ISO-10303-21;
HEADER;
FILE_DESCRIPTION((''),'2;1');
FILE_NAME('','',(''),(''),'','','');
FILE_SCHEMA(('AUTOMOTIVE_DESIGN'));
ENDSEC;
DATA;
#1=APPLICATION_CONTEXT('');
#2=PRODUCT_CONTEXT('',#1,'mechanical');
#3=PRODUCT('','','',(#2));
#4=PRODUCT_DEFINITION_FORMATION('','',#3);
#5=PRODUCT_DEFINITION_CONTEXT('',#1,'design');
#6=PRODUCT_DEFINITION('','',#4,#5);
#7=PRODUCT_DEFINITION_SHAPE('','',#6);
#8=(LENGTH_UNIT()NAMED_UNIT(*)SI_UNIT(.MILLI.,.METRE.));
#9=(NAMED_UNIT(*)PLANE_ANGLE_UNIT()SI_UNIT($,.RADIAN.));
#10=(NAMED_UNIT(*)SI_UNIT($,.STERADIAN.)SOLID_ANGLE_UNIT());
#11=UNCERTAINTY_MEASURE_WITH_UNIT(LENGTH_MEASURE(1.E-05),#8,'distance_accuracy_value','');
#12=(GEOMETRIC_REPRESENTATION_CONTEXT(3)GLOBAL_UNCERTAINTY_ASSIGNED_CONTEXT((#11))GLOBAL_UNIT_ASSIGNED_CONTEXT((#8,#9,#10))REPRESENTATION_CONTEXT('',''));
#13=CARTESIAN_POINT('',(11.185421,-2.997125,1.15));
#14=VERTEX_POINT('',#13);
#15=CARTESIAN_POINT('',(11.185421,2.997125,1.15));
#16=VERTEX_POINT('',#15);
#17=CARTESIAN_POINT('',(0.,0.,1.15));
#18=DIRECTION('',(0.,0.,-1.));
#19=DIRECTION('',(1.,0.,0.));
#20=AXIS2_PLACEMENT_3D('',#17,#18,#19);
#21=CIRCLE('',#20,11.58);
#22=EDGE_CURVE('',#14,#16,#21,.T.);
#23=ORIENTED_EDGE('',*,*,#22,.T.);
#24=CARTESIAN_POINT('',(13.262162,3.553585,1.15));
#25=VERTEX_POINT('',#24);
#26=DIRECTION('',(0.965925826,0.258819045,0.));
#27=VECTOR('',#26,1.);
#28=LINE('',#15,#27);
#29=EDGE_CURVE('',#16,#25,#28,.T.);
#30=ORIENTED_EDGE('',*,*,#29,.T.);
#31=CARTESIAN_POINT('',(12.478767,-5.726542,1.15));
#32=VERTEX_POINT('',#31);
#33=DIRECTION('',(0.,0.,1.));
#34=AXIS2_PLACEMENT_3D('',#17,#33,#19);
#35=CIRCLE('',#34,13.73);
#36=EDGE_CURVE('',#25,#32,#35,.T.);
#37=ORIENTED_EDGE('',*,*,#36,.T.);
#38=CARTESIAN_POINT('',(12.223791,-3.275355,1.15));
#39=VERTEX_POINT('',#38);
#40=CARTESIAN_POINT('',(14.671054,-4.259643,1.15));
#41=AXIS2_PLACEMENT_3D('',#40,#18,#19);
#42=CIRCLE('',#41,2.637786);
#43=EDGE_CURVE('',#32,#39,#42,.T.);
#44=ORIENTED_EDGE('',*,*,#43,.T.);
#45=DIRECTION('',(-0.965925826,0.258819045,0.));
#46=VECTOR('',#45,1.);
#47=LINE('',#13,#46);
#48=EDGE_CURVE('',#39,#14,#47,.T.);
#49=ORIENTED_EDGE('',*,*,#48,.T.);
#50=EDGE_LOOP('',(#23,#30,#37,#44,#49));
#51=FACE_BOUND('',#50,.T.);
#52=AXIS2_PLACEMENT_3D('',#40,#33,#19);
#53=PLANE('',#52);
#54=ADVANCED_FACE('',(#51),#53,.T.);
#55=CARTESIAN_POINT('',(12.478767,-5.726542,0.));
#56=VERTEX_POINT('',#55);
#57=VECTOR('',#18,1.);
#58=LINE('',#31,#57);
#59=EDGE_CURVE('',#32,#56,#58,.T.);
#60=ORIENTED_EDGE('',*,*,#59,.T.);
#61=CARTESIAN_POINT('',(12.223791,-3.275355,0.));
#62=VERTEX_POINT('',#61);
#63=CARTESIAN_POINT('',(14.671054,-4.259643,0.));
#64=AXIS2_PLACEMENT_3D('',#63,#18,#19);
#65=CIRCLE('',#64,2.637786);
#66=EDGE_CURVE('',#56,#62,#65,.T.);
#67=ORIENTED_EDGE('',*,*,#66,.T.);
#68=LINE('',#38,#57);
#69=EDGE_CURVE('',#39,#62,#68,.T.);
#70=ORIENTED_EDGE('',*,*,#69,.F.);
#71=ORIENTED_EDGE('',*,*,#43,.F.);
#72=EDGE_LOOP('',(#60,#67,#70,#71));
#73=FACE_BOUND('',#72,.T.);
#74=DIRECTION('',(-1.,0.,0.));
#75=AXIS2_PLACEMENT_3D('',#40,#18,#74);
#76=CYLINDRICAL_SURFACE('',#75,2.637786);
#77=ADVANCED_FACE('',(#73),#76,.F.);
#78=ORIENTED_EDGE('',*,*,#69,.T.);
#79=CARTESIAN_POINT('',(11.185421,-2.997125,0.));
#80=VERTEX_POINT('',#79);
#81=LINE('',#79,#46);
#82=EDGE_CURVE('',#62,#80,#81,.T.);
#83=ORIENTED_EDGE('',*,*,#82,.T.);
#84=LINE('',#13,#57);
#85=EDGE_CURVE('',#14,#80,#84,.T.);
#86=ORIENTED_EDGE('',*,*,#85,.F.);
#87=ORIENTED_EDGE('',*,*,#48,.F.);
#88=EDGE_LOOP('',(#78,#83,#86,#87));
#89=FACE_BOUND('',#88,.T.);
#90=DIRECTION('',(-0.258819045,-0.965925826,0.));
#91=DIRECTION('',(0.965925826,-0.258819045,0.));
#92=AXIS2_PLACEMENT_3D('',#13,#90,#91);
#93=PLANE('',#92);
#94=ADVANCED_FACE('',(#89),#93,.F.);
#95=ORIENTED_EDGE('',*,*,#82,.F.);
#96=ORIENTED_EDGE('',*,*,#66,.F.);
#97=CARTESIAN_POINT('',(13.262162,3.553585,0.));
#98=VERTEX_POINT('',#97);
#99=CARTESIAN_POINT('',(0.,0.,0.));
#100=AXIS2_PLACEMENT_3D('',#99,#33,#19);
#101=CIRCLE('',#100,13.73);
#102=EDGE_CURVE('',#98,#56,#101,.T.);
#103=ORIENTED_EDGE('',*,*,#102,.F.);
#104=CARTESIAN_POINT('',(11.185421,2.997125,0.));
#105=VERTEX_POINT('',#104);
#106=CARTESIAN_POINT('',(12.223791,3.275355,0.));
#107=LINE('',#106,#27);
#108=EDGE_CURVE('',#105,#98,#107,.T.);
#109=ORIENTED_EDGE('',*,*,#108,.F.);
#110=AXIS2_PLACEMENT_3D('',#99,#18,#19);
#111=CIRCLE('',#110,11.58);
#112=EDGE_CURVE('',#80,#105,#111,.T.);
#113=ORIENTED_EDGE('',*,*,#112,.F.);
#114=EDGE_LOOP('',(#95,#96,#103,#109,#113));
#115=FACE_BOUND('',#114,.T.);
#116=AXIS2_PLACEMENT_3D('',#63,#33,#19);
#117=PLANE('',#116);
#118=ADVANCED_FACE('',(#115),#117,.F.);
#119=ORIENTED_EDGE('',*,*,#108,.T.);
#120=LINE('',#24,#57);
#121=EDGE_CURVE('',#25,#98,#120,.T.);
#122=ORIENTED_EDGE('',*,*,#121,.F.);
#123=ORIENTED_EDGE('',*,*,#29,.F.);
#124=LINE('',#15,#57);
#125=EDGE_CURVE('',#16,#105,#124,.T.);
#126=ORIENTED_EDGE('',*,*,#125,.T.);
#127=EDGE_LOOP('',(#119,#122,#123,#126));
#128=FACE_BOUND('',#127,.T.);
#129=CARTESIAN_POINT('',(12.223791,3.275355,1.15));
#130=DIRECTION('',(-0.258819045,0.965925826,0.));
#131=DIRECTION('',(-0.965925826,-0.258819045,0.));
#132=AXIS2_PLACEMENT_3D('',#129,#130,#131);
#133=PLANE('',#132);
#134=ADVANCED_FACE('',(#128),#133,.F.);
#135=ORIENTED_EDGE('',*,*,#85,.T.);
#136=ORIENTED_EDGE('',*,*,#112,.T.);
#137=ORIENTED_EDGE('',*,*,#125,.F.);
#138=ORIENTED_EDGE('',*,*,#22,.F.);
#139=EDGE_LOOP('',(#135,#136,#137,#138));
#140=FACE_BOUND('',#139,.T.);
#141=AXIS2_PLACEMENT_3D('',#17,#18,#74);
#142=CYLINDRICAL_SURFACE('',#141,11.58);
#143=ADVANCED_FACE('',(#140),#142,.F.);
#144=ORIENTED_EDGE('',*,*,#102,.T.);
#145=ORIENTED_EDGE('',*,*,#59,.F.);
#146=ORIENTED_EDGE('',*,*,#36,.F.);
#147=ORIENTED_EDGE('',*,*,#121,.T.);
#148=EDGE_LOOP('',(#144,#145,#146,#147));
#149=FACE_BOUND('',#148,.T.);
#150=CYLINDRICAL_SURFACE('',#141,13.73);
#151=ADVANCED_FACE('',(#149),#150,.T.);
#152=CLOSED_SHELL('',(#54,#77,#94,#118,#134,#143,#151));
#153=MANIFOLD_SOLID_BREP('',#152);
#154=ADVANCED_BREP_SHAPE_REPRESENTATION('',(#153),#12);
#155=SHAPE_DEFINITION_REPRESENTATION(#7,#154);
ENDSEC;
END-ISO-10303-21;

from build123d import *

# Parameters (mm, degrees)
BOSS_EXTRUDE1_DEPTH = 1.15


with BuildPart() as part:
    # Sketch2 → Boss-Extrude1 (new body)
    with BuildSketch(Plane.XY):
        with BuildLine():
            Line((11.185421068, 2.997124542), (12.223791332, 3.275355016))
            Line((12.223791332, 3.275355016), (13.262161595, 3.553585489))
            ThreePointArc((13.262161595, 3.553585489), (-13.681339039, 1.154929476), (12.47876657, -5.726542141))
            ThreePointArc((12.47876657, -5.726542141), (12.047423687, -4.532555944), (12.223791332, -3.275355016))
            Line((12.223791332, -3.275355016), (11.185421068, -2.997124542))
            ThreePointArc((11.185421068, -2.997124542), (-11.58, 0), (11.185421068, 2.997124542))
        make_face()
    extrude(amount=BOSS_EXTRUDE1_DEPTH)


solid = part.part
